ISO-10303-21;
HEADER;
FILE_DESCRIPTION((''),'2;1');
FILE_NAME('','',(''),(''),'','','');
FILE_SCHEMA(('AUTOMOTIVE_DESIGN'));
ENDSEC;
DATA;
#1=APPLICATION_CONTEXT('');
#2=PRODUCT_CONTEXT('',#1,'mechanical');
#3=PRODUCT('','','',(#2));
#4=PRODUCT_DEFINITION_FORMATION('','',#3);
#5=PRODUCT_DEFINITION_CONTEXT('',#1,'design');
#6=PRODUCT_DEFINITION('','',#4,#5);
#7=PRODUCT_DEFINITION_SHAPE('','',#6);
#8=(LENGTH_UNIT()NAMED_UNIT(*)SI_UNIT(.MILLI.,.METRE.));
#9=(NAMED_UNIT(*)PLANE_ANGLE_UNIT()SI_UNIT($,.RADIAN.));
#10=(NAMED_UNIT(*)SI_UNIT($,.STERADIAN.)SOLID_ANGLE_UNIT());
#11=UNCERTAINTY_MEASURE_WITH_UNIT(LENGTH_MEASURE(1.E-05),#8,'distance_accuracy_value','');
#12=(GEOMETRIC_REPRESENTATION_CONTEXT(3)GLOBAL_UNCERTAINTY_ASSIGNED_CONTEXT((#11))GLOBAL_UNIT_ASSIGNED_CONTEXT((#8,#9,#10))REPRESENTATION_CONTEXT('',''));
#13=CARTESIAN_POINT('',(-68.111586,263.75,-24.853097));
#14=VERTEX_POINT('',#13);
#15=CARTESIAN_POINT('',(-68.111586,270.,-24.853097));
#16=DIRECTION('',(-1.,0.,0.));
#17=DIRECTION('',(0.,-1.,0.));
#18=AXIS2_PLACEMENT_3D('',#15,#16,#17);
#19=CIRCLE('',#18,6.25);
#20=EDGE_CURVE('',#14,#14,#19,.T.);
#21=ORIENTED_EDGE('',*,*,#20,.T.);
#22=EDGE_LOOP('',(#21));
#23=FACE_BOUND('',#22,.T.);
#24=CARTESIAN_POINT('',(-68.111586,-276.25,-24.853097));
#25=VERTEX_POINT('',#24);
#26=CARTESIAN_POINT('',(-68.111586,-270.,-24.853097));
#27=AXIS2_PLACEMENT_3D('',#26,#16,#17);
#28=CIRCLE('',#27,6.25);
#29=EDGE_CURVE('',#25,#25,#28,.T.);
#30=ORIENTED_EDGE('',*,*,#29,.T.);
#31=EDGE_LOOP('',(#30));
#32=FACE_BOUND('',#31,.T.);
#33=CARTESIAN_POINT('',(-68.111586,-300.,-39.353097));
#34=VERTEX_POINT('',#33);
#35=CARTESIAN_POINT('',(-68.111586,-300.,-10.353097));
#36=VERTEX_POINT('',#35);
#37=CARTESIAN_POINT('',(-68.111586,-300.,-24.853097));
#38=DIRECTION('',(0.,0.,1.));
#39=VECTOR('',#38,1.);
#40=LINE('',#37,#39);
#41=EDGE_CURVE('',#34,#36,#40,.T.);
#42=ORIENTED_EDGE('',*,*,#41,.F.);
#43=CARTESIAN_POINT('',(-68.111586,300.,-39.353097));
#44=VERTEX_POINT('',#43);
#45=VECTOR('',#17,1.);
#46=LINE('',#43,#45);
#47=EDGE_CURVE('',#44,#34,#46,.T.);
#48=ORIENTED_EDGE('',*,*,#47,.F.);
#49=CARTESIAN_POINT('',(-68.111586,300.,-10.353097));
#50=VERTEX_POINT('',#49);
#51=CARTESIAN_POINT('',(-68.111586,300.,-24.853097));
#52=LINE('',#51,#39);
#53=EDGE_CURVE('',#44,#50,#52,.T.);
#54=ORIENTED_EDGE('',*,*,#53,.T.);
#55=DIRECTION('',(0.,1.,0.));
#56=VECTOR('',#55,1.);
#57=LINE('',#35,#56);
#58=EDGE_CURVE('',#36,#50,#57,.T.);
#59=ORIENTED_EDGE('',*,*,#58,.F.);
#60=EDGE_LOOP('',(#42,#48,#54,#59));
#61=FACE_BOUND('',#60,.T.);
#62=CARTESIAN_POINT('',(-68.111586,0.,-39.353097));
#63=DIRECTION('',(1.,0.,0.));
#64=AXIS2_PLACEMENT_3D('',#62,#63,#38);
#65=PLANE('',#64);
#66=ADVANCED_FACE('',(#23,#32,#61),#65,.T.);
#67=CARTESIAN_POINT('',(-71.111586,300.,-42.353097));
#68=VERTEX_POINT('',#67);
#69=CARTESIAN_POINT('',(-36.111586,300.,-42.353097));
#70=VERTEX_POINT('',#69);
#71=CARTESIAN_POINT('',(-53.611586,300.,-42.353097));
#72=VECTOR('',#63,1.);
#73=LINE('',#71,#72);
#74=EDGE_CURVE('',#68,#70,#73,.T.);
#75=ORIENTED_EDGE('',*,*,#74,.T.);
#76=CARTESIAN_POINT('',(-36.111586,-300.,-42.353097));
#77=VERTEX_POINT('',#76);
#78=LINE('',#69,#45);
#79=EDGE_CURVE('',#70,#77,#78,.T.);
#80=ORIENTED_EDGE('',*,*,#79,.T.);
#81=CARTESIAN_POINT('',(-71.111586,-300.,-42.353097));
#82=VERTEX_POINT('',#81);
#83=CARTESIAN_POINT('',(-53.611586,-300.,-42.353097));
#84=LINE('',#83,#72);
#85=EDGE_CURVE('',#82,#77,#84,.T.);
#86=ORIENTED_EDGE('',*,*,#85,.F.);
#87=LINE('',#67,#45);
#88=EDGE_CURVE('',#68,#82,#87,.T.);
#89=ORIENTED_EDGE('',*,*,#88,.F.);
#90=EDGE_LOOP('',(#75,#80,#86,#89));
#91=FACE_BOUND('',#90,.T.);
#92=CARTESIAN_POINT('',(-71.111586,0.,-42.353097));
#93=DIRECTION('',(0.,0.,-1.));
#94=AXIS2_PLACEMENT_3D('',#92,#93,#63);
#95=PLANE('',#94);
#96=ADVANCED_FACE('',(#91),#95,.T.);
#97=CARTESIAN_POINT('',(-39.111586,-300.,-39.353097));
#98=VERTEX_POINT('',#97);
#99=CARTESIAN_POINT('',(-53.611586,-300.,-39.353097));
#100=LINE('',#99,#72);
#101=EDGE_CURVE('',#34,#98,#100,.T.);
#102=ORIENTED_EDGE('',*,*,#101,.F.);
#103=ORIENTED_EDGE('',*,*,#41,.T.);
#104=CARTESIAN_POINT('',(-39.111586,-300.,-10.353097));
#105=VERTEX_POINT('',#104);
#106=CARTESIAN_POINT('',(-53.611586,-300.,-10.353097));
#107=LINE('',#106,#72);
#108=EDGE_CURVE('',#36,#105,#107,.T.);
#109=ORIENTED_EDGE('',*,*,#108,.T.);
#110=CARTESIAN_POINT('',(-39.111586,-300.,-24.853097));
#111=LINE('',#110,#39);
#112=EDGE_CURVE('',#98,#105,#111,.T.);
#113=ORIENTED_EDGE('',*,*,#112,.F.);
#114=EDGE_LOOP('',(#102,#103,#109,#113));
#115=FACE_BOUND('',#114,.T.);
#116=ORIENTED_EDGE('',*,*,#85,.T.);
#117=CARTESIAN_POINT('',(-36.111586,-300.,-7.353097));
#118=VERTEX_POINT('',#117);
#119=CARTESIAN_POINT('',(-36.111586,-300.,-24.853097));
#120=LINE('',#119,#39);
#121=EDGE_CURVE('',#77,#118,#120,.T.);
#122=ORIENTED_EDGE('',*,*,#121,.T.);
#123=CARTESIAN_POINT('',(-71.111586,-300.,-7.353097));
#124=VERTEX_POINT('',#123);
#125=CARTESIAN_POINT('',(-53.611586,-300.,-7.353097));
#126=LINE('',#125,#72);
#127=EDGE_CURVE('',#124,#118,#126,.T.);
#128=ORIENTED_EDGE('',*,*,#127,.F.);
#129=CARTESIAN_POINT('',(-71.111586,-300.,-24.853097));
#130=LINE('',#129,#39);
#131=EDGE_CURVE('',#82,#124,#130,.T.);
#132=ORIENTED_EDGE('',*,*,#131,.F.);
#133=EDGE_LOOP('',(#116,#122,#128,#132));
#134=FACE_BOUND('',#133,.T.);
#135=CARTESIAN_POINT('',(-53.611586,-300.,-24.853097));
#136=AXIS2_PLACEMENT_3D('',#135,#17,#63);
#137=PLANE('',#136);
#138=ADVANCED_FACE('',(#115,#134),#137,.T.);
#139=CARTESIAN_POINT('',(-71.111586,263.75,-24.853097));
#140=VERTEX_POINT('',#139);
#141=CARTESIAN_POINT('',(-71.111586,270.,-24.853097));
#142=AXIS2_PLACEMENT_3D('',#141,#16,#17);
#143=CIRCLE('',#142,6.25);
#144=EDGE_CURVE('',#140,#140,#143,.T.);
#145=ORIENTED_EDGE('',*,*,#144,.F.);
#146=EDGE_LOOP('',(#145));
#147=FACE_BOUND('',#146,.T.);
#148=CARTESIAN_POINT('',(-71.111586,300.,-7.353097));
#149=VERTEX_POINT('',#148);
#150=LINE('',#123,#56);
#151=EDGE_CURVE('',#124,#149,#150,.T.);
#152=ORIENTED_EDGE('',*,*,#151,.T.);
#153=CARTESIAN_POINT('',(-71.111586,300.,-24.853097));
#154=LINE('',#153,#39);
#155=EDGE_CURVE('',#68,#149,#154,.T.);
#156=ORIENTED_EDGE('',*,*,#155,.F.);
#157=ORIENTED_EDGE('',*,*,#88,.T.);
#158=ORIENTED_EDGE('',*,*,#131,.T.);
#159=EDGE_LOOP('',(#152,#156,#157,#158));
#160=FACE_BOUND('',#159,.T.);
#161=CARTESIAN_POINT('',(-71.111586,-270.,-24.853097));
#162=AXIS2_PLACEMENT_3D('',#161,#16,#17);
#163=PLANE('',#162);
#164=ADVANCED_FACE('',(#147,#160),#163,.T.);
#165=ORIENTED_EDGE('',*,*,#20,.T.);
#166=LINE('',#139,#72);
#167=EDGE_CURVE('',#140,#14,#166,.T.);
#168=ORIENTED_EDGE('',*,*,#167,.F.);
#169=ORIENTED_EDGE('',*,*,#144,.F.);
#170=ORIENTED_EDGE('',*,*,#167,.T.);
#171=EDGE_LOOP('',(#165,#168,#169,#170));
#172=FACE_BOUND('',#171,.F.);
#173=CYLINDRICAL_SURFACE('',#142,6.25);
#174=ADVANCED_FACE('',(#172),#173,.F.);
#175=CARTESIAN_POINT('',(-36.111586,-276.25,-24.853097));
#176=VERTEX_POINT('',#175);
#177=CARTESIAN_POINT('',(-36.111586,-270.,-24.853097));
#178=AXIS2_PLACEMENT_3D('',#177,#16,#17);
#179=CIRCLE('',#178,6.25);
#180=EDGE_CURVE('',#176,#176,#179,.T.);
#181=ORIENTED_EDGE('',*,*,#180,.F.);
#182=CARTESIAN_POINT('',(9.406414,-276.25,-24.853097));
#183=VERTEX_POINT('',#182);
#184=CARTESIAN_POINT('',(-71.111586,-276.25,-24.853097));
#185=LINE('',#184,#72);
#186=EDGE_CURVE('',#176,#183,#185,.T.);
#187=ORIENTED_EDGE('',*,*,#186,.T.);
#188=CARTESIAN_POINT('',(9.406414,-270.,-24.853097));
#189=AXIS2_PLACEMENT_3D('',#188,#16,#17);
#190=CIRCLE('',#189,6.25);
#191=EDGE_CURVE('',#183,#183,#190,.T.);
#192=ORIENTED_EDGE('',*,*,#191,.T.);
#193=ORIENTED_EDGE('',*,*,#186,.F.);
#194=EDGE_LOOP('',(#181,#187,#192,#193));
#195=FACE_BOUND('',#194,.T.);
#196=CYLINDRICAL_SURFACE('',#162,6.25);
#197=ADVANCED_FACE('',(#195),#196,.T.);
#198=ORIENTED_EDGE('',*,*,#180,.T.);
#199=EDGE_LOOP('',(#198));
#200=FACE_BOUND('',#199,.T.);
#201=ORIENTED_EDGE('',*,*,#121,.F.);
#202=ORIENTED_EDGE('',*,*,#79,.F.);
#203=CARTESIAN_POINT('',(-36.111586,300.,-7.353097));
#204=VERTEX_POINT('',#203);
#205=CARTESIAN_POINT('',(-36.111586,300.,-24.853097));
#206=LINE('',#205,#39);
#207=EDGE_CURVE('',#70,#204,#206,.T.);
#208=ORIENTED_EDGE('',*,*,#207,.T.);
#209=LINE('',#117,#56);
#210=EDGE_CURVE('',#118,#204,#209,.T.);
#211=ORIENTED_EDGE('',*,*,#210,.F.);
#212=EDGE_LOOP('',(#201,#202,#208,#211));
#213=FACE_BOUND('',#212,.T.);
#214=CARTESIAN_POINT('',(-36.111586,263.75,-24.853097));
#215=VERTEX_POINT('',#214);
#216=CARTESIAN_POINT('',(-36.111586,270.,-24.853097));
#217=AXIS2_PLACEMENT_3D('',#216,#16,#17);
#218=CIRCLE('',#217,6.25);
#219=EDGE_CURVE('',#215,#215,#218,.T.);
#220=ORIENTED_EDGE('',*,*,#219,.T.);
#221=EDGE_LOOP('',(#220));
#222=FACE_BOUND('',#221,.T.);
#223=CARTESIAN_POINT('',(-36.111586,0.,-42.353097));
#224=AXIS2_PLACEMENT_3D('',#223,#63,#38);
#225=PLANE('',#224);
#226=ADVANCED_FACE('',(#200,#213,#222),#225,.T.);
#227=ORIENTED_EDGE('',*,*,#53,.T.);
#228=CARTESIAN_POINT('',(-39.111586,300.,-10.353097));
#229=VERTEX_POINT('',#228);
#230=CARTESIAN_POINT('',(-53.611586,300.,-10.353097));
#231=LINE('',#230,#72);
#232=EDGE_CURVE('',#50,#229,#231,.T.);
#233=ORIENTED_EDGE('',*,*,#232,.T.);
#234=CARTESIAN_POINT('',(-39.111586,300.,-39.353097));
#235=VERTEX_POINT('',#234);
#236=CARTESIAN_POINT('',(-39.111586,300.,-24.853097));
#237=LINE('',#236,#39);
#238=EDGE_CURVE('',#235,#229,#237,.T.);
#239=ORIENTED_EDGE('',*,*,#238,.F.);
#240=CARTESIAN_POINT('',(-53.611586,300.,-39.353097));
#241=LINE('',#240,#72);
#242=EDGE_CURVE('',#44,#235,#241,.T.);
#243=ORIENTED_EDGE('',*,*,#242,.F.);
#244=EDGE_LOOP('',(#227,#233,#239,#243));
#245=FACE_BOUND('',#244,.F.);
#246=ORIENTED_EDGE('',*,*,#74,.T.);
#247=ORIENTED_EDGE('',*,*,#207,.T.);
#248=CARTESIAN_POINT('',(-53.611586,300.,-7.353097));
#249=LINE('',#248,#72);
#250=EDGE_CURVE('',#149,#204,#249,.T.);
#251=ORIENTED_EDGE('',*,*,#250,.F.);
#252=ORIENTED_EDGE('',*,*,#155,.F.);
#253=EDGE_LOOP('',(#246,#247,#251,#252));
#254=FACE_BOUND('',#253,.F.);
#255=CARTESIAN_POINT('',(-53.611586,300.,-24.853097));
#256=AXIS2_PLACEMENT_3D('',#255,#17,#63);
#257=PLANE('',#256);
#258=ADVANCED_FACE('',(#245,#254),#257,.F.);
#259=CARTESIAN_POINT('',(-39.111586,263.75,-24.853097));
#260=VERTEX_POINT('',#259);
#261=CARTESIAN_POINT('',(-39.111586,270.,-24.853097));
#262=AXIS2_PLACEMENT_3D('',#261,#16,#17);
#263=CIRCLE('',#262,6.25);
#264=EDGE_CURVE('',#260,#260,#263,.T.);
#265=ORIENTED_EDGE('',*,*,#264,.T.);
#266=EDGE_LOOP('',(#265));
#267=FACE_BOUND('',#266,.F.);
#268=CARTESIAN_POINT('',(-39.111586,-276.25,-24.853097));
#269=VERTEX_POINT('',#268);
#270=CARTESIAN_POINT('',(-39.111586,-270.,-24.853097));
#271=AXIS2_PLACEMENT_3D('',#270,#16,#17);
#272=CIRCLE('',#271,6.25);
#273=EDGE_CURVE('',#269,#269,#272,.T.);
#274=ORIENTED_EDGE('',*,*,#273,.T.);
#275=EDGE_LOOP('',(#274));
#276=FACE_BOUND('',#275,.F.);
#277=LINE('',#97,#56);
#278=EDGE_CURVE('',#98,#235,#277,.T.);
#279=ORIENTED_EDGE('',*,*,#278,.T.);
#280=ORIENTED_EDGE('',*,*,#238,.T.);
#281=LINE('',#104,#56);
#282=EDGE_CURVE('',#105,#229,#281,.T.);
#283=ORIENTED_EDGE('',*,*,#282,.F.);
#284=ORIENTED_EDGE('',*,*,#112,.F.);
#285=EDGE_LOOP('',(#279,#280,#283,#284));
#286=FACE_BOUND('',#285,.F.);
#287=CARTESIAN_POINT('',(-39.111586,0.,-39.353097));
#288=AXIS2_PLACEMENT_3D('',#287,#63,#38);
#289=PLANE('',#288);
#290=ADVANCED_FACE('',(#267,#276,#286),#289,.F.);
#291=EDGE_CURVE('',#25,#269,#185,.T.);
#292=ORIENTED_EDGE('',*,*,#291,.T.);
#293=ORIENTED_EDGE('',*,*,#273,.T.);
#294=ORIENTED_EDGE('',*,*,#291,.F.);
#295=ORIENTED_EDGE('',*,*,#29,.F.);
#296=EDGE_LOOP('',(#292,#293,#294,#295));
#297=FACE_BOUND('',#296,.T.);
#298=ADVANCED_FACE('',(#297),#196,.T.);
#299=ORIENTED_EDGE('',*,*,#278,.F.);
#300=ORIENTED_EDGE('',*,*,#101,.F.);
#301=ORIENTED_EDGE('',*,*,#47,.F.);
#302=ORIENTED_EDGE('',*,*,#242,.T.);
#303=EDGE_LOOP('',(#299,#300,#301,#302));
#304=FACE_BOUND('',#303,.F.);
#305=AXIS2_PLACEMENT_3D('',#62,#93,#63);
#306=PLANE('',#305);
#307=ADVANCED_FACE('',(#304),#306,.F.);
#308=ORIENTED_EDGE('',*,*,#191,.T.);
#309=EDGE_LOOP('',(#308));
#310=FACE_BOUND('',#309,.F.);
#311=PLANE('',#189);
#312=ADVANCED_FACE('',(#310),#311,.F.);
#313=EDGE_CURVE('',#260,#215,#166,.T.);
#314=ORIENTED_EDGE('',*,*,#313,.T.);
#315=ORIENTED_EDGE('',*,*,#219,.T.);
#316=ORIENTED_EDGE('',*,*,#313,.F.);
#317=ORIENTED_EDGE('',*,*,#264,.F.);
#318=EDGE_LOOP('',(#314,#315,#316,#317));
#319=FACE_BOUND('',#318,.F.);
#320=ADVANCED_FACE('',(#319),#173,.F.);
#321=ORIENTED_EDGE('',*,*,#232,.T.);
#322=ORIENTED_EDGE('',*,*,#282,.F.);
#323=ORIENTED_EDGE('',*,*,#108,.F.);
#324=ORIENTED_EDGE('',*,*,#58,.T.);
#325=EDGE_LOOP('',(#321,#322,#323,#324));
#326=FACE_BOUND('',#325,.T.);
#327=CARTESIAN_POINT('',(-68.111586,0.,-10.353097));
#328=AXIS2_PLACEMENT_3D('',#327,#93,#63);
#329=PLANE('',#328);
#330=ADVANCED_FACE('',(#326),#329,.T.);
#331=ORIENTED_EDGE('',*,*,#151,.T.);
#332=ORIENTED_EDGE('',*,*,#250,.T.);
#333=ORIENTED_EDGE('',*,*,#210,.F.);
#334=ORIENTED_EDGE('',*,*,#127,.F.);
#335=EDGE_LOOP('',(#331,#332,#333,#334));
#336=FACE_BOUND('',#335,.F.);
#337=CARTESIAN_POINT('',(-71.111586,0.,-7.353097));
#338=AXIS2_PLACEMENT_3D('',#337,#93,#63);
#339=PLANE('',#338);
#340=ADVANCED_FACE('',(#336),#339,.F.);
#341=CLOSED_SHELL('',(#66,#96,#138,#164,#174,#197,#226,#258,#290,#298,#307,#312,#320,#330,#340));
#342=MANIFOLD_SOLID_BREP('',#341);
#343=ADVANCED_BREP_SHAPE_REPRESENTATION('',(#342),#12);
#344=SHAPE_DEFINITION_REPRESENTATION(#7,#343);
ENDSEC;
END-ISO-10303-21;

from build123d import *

# Parameters (mm, degrees)
F0_W     = 35
F0_H     = 35
F0_W_2   = 29
F0_H_2   = 29
F1_DEPTH = 300
F2_R     = 6.25
F3_DEPTH = 35.56
F4_DEPTH = 80.518


with BuildPart() as f1:
    # F0 (on Front) → F1 (new body, symmetric)
    with BuildSketch(Plane.XZ):
        with Locations((-53.6115857959, -24.8530973494)):
            Rectangle(F0_W, F0_H)
        with Locations((-53.6115857959, -24.8530973494)):
            Rectangle(F0_W_2, F0_H_2, mode=Mode.SUBTRACT)
    extrude(amount=F1_DEPTH, both=True)

    # F2 (on face) → F3 (cut)
    with BuildSketch(Plane(origin=(-71.1115857959, 0, 0), x_dir=(0, -1, 0), z_dir=(-1, 0, 0))):
        with Locations((-270, -24.8530973494)):
            Circle(F2_R)
    extrude(amount=-F3_DEPTH, mode=Mode.SUBTRACT)

    # F2 (on face) → F4 (join)
    with BuildSketch(Plane(origin=(-71.1115857959, 0, 0), x_dir=(0, -1, 0), z_dir=(-1, 0, 0))):
        with Locations((270, -24.8530973494)):
            Circle(F2_R)
    extrude(amount=-F4_DEPTH)


solid = f1.part
